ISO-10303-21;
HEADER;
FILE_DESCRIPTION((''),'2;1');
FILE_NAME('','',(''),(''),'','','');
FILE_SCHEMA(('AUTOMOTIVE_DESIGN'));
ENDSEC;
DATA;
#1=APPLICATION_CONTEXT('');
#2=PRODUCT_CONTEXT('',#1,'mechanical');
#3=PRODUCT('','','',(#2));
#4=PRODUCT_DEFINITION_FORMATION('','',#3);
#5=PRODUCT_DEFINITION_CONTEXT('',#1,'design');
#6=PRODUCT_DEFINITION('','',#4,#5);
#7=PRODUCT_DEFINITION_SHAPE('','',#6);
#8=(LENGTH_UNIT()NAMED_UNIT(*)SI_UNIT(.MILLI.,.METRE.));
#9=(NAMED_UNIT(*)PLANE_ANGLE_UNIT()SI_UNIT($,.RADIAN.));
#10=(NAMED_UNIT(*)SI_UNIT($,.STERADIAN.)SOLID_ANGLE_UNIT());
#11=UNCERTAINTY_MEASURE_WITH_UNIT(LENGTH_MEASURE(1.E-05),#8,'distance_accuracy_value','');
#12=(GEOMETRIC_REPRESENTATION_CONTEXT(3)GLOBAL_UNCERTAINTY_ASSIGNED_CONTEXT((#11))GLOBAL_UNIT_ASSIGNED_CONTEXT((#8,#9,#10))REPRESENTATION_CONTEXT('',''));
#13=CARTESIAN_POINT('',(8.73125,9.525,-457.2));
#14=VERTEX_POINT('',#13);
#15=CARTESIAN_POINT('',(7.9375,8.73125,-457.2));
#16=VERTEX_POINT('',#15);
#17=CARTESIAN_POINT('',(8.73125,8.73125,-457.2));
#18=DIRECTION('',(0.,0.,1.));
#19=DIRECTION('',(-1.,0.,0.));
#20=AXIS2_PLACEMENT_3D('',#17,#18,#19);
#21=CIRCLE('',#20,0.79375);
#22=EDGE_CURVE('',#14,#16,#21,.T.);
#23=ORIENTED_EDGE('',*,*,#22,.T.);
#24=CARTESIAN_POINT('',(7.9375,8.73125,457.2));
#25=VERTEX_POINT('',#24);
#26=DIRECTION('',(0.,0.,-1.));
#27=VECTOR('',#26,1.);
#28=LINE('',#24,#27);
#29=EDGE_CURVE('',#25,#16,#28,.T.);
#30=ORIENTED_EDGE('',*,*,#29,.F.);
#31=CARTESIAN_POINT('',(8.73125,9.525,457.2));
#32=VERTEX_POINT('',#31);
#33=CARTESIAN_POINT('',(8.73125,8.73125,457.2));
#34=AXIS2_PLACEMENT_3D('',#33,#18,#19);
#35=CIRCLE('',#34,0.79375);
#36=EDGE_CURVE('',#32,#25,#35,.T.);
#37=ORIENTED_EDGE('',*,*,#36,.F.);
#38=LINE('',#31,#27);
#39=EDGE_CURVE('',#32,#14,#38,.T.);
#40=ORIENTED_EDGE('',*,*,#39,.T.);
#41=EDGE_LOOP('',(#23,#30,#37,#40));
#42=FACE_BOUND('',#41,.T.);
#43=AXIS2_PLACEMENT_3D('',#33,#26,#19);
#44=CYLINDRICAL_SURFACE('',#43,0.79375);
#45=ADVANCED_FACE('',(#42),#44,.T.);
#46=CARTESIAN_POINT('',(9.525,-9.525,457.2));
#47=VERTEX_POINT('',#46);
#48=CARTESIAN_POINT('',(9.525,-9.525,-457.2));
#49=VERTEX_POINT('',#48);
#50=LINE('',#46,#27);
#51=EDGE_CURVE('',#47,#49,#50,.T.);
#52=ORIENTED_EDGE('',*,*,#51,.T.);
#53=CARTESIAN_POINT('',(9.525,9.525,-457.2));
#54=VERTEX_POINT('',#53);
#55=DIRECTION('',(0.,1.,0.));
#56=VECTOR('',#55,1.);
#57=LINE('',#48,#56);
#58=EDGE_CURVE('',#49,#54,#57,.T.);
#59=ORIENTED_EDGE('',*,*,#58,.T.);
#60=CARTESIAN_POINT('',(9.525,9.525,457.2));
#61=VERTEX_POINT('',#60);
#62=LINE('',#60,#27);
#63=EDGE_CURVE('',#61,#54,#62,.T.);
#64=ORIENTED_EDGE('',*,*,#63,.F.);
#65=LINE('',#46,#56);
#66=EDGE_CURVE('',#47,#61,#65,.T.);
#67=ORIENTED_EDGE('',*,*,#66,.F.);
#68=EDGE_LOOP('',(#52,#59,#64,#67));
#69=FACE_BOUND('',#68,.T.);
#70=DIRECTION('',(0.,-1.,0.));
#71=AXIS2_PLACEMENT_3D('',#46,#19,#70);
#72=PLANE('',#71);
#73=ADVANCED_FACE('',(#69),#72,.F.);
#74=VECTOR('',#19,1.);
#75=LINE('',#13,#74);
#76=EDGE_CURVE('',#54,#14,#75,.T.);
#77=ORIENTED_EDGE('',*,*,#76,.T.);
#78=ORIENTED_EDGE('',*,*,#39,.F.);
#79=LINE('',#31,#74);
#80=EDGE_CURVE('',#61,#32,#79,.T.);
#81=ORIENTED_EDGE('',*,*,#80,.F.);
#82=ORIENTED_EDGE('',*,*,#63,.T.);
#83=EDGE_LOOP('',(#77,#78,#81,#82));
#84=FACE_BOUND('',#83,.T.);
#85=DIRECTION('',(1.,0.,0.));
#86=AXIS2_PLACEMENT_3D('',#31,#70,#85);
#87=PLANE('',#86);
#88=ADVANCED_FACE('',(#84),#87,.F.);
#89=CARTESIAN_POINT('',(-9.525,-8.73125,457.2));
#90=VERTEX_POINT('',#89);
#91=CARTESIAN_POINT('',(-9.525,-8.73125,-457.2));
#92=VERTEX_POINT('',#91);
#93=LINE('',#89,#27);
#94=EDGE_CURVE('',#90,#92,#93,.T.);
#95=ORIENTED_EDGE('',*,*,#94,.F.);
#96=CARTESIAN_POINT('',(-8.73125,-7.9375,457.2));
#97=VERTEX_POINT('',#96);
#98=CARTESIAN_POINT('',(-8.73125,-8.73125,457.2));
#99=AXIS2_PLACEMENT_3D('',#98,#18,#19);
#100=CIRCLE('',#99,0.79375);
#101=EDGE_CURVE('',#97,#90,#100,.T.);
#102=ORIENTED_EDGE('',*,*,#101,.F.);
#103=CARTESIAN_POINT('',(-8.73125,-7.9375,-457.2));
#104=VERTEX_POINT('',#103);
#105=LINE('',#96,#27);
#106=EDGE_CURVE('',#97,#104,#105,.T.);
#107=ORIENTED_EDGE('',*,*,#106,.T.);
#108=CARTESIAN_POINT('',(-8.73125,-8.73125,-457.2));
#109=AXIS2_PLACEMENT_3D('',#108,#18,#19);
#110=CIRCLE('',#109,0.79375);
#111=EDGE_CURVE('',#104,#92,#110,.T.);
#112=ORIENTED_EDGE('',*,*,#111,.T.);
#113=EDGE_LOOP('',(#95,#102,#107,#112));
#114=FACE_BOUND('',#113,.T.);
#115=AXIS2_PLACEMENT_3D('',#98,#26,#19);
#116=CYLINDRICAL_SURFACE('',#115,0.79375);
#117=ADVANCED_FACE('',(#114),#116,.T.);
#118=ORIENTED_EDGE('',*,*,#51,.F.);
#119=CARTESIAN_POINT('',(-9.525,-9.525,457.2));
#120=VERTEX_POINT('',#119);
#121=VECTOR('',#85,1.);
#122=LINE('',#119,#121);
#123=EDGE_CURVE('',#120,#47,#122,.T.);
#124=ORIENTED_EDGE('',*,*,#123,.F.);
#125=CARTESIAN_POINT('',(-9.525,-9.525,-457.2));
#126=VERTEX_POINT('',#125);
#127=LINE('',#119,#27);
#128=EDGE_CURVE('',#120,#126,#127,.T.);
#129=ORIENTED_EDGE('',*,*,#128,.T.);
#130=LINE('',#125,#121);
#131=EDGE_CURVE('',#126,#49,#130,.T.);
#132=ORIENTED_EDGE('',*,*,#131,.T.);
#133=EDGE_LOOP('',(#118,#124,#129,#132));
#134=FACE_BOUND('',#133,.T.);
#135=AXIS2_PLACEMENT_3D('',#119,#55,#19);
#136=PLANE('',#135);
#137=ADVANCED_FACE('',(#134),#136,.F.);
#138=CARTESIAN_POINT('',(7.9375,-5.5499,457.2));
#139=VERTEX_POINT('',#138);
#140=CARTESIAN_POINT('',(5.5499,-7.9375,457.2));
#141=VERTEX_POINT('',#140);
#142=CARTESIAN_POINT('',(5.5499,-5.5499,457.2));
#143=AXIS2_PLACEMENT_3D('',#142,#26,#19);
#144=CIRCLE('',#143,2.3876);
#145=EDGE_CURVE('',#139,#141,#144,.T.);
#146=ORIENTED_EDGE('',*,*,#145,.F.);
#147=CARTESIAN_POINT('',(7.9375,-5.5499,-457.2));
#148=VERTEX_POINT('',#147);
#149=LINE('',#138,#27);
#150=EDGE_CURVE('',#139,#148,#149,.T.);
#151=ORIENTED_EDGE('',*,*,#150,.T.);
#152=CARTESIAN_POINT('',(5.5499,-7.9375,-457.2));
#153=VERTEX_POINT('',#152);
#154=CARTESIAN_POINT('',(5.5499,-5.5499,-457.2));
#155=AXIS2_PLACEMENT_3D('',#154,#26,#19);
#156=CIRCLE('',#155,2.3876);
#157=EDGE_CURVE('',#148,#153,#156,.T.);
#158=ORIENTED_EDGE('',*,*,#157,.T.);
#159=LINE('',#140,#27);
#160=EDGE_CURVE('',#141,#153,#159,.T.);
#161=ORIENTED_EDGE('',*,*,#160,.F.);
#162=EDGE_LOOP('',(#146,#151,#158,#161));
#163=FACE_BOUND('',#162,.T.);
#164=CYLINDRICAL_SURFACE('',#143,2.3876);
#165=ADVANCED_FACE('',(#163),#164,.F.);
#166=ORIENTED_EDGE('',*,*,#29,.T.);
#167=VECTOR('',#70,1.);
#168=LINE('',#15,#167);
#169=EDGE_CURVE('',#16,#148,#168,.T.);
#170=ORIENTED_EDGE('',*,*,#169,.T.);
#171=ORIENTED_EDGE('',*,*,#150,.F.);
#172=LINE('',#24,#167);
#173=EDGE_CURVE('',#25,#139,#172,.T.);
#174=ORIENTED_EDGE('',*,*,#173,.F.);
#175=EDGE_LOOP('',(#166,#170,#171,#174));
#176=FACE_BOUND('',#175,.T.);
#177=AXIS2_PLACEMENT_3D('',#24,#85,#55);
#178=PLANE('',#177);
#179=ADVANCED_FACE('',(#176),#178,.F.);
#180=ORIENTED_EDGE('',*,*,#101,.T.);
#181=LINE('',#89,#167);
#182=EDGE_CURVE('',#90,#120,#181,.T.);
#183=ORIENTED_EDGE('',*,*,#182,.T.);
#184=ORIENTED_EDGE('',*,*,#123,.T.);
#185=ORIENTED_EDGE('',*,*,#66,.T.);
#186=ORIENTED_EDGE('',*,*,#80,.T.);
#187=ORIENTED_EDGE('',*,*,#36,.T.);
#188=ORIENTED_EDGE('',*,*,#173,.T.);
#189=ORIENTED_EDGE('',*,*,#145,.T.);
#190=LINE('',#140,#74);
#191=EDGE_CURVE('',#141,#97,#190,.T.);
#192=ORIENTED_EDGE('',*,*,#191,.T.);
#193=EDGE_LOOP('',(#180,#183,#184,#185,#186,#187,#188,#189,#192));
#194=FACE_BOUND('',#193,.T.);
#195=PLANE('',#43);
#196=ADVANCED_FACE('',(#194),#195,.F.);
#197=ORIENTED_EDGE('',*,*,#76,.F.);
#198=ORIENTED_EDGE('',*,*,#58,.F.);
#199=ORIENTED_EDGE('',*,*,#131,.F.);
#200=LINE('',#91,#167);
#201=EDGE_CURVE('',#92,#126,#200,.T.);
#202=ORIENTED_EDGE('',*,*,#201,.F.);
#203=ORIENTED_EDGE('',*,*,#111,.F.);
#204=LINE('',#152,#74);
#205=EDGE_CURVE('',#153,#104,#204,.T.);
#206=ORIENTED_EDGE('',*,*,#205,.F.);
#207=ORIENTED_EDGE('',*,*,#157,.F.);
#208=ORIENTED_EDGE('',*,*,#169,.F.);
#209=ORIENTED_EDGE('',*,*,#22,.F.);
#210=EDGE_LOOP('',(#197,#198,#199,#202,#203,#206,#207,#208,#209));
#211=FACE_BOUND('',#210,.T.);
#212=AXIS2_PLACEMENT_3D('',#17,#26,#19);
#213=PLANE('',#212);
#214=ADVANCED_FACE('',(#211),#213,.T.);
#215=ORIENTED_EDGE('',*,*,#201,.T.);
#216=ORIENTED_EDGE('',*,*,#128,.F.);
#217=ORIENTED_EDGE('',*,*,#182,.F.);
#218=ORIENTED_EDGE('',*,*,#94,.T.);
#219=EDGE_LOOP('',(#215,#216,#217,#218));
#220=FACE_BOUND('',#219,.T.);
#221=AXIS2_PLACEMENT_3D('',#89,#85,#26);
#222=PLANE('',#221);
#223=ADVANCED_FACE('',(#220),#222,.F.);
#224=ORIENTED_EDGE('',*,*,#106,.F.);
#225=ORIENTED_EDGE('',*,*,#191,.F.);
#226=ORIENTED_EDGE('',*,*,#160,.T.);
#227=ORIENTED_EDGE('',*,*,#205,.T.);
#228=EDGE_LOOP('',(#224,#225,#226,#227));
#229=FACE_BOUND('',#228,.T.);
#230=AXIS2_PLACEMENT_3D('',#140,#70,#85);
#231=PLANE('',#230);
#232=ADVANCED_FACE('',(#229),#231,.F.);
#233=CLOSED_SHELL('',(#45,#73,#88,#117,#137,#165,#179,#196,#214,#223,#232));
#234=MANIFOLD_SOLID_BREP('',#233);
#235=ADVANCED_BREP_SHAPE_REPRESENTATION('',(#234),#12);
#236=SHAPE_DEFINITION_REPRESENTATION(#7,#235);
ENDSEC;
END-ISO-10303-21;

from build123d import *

# Parameters (mm, degrees)
BOSS_EXTRUDE1_DEPTH = 457.2


with BuildPart() as part:
    # Sketch2 → Boss-Extrude1 (new, symmetric)
    with BuildSketch(Plane.XY):
        with BuildLine():
            Line((-9.525, -9.525), (9.525, -9.525))
            Line((9.525, -9.525), (9.525, 9.525))
            Line((9.525, 9.525), (8.73125, 9.525))
            ThreePointArc((8.73125, 9.525), (8.169983992, 9.292516008), (7.9375, 8.73125))
            Line((7.9375, 8.73125), (7.9375, -5.5499))
            ThreePointArc((7.9375, -5.5499), (7.238188151, -7.238188151), (5.5499, -7.9375))
            Line((5.5499, -7.9375), (-8.73125, -7.9375))
            ThreePointArc((-8.73125, -7.9375), (-9.292516008, -8.169983992), (-9.525, -8.73125))
            Line((-9.525, -8.73125), (-9.525, -9.525))
        make_face()
    extrude(amount=BOSS_EXTRUDE1_DEPTH, both=True)


solid = part.part
